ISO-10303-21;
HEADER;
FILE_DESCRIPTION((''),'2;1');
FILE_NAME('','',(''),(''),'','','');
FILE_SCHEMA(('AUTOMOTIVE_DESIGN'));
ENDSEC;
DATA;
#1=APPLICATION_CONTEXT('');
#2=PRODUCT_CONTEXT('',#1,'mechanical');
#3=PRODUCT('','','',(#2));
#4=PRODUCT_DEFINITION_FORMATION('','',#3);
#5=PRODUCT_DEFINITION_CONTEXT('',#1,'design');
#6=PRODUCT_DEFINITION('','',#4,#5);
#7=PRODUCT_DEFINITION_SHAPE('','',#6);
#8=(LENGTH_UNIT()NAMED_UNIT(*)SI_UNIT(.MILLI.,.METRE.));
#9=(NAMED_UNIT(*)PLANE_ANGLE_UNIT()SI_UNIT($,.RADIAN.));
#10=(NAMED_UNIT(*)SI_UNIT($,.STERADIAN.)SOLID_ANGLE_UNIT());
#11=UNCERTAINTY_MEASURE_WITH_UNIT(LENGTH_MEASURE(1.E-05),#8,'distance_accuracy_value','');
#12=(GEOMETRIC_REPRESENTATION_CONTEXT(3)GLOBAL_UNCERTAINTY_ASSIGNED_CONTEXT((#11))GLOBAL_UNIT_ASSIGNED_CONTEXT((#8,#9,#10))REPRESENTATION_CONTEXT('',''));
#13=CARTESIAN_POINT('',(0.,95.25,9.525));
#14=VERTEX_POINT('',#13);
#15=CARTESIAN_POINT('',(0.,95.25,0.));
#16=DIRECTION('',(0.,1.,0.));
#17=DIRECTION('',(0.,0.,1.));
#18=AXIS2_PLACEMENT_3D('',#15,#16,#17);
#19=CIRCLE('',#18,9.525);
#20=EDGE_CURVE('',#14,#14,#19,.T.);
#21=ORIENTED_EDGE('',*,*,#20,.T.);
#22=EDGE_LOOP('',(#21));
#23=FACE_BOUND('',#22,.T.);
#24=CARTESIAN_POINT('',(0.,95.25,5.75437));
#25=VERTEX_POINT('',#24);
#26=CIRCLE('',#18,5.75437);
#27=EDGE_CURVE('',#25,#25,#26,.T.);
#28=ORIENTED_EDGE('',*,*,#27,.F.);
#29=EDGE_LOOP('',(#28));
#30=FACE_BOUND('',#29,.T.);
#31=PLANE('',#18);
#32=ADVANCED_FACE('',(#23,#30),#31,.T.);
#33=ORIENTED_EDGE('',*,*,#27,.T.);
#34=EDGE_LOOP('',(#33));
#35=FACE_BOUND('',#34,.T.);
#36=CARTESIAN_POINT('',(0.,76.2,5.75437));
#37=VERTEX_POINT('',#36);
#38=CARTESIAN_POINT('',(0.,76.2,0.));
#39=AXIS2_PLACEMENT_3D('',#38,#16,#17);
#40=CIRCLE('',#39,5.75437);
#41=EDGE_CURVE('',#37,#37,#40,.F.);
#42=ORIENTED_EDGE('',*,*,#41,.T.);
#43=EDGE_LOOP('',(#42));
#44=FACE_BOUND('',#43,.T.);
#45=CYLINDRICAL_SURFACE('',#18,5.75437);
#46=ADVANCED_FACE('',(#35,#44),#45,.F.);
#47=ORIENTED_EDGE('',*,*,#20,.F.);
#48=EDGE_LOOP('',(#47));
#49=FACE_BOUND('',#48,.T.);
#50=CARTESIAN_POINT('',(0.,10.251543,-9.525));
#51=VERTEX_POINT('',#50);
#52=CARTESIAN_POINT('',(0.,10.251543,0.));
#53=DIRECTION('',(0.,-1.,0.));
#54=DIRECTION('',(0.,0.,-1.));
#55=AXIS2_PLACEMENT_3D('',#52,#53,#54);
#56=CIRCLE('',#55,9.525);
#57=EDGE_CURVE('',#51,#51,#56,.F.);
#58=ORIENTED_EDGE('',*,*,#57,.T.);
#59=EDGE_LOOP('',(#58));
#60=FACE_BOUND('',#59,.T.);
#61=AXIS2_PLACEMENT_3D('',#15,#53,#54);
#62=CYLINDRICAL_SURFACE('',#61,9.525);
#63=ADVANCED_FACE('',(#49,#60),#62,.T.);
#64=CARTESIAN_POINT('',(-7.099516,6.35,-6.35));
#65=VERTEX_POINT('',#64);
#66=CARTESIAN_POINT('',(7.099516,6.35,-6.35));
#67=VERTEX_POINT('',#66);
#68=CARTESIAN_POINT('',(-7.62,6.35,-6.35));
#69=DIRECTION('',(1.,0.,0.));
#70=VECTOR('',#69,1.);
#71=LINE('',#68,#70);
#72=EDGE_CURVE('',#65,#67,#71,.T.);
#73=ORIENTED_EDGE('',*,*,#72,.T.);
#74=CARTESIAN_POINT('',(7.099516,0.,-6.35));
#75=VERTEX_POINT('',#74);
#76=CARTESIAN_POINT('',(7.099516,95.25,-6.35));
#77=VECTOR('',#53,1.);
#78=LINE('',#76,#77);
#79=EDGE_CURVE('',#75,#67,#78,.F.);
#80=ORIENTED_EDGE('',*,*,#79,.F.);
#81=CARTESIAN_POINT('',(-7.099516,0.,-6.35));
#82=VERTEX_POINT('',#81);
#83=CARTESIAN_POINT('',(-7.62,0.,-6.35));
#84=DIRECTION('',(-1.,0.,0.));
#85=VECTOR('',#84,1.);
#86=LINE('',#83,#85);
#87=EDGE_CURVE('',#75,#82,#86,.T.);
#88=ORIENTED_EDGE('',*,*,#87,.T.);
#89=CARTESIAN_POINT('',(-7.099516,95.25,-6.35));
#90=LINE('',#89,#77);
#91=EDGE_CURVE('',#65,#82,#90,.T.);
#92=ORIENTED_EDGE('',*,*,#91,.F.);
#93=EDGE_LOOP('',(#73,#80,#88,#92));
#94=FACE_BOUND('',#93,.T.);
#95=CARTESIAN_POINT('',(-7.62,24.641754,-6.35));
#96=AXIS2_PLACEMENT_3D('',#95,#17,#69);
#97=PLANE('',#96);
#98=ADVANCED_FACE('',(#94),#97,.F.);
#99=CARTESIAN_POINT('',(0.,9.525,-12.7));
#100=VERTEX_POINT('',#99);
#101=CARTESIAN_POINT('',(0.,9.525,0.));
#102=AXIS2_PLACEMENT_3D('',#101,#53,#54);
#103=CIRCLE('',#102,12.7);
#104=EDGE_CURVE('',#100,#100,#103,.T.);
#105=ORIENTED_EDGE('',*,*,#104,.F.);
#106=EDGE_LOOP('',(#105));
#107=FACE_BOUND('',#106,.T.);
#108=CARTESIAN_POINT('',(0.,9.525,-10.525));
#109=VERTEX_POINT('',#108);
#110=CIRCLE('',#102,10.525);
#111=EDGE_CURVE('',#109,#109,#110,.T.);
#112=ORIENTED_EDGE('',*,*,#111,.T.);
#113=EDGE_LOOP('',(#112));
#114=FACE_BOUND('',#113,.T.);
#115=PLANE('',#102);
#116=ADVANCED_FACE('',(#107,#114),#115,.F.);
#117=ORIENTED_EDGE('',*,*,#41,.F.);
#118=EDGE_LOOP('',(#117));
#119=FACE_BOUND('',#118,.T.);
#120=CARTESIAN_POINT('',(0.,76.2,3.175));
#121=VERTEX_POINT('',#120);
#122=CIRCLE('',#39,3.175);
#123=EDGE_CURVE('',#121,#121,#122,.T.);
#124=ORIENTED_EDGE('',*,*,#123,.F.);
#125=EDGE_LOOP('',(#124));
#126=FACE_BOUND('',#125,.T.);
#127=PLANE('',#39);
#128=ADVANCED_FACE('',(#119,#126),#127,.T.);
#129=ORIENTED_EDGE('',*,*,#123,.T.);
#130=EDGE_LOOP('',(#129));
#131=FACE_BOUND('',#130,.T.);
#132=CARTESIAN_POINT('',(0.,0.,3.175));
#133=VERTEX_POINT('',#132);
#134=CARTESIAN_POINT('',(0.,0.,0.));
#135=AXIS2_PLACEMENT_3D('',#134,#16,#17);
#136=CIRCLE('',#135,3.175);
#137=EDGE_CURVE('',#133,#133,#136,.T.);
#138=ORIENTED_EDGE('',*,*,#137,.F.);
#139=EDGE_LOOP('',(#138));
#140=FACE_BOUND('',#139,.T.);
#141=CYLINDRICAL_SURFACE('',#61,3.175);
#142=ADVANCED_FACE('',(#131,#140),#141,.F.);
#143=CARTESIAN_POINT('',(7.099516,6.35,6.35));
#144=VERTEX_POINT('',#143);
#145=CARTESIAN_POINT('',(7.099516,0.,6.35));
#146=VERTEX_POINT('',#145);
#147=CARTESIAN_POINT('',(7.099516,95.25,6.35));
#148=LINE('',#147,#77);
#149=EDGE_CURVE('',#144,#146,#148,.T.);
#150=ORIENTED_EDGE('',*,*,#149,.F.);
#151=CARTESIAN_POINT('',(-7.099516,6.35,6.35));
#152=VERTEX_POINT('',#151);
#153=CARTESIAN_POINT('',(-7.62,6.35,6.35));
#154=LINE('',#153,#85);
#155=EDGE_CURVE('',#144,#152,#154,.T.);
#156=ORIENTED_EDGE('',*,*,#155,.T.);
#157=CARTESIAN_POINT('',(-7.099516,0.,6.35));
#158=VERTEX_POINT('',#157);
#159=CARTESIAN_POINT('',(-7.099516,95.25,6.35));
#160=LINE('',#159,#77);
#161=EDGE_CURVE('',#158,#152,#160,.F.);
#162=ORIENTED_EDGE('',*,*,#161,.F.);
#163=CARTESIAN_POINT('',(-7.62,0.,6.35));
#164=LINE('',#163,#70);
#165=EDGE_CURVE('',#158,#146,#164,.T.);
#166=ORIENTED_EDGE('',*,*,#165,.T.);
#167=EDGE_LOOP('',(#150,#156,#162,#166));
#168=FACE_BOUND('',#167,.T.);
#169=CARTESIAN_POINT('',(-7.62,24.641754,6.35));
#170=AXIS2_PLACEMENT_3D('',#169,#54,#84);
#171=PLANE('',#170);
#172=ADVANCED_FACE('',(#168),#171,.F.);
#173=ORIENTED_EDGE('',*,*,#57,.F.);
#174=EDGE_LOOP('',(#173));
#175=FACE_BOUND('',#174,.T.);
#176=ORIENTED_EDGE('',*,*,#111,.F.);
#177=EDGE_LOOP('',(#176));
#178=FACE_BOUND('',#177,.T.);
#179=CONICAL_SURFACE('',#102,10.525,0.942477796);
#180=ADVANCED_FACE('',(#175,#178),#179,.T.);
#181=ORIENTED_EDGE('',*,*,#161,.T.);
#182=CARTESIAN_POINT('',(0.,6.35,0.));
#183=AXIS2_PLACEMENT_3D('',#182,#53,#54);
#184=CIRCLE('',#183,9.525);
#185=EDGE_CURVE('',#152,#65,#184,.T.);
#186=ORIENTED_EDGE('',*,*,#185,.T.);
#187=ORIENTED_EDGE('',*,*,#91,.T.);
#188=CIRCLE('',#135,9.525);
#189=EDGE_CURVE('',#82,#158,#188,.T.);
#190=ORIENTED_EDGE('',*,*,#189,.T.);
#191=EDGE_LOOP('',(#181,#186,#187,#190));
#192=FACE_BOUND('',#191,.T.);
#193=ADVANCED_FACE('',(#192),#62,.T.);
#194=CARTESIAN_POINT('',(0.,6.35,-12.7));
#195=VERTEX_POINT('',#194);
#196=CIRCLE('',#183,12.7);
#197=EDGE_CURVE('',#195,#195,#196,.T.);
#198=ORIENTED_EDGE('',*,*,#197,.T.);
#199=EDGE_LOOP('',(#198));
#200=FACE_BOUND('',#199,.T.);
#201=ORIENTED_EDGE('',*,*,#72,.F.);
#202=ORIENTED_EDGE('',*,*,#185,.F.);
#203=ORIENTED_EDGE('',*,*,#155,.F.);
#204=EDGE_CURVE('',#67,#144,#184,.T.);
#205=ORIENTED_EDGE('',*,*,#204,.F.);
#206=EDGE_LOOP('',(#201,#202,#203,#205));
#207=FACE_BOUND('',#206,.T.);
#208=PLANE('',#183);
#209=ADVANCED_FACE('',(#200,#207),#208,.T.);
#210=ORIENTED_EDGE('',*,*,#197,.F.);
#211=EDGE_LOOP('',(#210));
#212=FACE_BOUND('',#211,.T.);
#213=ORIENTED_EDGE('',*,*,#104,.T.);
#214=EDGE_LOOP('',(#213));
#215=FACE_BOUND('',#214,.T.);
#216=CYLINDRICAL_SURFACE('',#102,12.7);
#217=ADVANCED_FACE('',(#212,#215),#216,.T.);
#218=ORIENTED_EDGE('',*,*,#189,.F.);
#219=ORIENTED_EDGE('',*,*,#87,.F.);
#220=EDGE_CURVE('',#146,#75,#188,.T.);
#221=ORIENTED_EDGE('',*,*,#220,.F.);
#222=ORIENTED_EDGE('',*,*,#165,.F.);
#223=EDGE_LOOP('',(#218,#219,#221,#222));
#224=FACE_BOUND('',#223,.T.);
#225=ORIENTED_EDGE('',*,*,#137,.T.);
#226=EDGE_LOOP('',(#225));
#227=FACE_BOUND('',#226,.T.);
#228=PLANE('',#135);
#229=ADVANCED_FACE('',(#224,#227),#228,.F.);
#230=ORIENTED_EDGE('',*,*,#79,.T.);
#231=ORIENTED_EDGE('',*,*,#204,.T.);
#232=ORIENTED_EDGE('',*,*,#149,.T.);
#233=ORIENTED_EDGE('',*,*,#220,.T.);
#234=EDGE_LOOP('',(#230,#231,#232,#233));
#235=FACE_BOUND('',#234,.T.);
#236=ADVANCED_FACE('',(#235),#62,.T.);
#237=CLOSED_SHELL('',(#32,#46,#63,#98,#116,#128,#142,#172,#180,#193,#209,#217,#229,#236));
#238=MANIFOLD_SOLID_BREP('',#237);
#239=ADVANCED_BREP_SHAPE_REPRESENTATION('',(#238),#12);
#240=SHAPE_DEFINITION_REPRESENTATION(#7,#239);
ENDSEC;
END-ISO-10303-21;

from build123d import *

# Parameters (mm, degrees)
SKETCH1_R                       = 9.525
SKETCH1_R_2                     = 3.175
BOSS_EXTRUDE1_DEPTH             = 95.25
SKETCH3_R                       = 12.7
SKETCH3_R_2                     = 9.525
BOSS_EXTRUDE2_DEPTH             = 3.175
SKETCH4_R                       = 6.35
BOSS_EXTRUDE3_DEPTH             = 19.05
TAP_DRILL_FOR_1_2_20_TAP1_D     = 11.50874
TAP_DRILL_FOR_1_2_20_TAP1_DEPTH = 19.05
CHAMFER1_SIZE                   = 1
CHAMFER1_SIZE2                  = 0.726542528
SKETCH8_W                       = 16.189039501
SKETCH8_H                       = 7.642767638
SKETCH8_H_2                     = 8.514884137
CUT_EXTRUDE1_DEPTH              = 6.35


with BuildPart() as part:
    # Sketch1 → Boss-Extrude1 (new body)
    with BuildSketch(Plane(origin=(0, 0, 0), x_dir=(1, 0, 0), z_dir=(0, 1, 0))):
        Circle(SKETCH1_R)
        Circle(SKETCH1_R_2, mode=Mode.SUBTRACT)
    extrude(amount=BOSS_EXTRUDE1_DEPTH)

    # Sketch3 → Boss-Extrude2 (add)
    with BuildSketch(Plane(origin=(0, 6.35, 0), x_dir=(-1, 0, 0), z_dir=(0, -1, 0))):
        Circle(SKETCH3_R)
        Circle(SKETCH3_R_2, mode=Mode.SUBTRACT)
    extrude(amount=-BOSS_EXTRUDE2_DEPTH)

    # Sketch4 → Boss-Extrude3 (add)
    with BuildSketch(Plane(origin=(0, 95.25, 0), x_dir=(1, 0, 0), z_dir=(0, 1, 0))):
        Circle(SKETCH4_R)
    extrude(amount=-BOSS_EXTRUDE3_DEPTH)

    # Tap Drill for 1/2-20 Tap1
    with Locations(Plane(origin=(0, 95.25, 0), x_dir=(1, 0, 0), z_dir=(0, 1, 0))):
        with Locations((0, 0)):
            Hole(TAP_DRILL_FOR_1_2_20_TAP1_D / 2, depth=TAP_DRILL_FOR_1_2_20_TAP1_DEPTH)

    # Chamfer1
    chamfer1_edges = [part.edges().sort_by_distance(p)[0] for p in [
        (-9.525, 9.525, 0),
    ]]
    chamfer1_side = [part.faces().sort_by_distance(p)[0] for p in [
        (12.340789755, 9.525, 0),
    ]]
    chamfer(chamfer1_edges, length=CHAMFER1_SIZE, length2=CHAMFER1_SIZE2, reference=chamfer1_side[0])

    # Sketch8 → Cut-Extrude1 (cut)
    with BuildSketch(Plane.XZ):
        with Locations((0.474519751, 10.171383819)):
            Rectangle(SKETCH8_W, SKETCH8_H)
        with Locations((0.474519751, -10.607442069)):
            Rectangle(SKETCH8_W, SKETCH8_H_2)
    extrude(amount=-CUT_EXTRUDE1_DEPTH, mode=Mode.SUBTRACT)


solid = part.part
